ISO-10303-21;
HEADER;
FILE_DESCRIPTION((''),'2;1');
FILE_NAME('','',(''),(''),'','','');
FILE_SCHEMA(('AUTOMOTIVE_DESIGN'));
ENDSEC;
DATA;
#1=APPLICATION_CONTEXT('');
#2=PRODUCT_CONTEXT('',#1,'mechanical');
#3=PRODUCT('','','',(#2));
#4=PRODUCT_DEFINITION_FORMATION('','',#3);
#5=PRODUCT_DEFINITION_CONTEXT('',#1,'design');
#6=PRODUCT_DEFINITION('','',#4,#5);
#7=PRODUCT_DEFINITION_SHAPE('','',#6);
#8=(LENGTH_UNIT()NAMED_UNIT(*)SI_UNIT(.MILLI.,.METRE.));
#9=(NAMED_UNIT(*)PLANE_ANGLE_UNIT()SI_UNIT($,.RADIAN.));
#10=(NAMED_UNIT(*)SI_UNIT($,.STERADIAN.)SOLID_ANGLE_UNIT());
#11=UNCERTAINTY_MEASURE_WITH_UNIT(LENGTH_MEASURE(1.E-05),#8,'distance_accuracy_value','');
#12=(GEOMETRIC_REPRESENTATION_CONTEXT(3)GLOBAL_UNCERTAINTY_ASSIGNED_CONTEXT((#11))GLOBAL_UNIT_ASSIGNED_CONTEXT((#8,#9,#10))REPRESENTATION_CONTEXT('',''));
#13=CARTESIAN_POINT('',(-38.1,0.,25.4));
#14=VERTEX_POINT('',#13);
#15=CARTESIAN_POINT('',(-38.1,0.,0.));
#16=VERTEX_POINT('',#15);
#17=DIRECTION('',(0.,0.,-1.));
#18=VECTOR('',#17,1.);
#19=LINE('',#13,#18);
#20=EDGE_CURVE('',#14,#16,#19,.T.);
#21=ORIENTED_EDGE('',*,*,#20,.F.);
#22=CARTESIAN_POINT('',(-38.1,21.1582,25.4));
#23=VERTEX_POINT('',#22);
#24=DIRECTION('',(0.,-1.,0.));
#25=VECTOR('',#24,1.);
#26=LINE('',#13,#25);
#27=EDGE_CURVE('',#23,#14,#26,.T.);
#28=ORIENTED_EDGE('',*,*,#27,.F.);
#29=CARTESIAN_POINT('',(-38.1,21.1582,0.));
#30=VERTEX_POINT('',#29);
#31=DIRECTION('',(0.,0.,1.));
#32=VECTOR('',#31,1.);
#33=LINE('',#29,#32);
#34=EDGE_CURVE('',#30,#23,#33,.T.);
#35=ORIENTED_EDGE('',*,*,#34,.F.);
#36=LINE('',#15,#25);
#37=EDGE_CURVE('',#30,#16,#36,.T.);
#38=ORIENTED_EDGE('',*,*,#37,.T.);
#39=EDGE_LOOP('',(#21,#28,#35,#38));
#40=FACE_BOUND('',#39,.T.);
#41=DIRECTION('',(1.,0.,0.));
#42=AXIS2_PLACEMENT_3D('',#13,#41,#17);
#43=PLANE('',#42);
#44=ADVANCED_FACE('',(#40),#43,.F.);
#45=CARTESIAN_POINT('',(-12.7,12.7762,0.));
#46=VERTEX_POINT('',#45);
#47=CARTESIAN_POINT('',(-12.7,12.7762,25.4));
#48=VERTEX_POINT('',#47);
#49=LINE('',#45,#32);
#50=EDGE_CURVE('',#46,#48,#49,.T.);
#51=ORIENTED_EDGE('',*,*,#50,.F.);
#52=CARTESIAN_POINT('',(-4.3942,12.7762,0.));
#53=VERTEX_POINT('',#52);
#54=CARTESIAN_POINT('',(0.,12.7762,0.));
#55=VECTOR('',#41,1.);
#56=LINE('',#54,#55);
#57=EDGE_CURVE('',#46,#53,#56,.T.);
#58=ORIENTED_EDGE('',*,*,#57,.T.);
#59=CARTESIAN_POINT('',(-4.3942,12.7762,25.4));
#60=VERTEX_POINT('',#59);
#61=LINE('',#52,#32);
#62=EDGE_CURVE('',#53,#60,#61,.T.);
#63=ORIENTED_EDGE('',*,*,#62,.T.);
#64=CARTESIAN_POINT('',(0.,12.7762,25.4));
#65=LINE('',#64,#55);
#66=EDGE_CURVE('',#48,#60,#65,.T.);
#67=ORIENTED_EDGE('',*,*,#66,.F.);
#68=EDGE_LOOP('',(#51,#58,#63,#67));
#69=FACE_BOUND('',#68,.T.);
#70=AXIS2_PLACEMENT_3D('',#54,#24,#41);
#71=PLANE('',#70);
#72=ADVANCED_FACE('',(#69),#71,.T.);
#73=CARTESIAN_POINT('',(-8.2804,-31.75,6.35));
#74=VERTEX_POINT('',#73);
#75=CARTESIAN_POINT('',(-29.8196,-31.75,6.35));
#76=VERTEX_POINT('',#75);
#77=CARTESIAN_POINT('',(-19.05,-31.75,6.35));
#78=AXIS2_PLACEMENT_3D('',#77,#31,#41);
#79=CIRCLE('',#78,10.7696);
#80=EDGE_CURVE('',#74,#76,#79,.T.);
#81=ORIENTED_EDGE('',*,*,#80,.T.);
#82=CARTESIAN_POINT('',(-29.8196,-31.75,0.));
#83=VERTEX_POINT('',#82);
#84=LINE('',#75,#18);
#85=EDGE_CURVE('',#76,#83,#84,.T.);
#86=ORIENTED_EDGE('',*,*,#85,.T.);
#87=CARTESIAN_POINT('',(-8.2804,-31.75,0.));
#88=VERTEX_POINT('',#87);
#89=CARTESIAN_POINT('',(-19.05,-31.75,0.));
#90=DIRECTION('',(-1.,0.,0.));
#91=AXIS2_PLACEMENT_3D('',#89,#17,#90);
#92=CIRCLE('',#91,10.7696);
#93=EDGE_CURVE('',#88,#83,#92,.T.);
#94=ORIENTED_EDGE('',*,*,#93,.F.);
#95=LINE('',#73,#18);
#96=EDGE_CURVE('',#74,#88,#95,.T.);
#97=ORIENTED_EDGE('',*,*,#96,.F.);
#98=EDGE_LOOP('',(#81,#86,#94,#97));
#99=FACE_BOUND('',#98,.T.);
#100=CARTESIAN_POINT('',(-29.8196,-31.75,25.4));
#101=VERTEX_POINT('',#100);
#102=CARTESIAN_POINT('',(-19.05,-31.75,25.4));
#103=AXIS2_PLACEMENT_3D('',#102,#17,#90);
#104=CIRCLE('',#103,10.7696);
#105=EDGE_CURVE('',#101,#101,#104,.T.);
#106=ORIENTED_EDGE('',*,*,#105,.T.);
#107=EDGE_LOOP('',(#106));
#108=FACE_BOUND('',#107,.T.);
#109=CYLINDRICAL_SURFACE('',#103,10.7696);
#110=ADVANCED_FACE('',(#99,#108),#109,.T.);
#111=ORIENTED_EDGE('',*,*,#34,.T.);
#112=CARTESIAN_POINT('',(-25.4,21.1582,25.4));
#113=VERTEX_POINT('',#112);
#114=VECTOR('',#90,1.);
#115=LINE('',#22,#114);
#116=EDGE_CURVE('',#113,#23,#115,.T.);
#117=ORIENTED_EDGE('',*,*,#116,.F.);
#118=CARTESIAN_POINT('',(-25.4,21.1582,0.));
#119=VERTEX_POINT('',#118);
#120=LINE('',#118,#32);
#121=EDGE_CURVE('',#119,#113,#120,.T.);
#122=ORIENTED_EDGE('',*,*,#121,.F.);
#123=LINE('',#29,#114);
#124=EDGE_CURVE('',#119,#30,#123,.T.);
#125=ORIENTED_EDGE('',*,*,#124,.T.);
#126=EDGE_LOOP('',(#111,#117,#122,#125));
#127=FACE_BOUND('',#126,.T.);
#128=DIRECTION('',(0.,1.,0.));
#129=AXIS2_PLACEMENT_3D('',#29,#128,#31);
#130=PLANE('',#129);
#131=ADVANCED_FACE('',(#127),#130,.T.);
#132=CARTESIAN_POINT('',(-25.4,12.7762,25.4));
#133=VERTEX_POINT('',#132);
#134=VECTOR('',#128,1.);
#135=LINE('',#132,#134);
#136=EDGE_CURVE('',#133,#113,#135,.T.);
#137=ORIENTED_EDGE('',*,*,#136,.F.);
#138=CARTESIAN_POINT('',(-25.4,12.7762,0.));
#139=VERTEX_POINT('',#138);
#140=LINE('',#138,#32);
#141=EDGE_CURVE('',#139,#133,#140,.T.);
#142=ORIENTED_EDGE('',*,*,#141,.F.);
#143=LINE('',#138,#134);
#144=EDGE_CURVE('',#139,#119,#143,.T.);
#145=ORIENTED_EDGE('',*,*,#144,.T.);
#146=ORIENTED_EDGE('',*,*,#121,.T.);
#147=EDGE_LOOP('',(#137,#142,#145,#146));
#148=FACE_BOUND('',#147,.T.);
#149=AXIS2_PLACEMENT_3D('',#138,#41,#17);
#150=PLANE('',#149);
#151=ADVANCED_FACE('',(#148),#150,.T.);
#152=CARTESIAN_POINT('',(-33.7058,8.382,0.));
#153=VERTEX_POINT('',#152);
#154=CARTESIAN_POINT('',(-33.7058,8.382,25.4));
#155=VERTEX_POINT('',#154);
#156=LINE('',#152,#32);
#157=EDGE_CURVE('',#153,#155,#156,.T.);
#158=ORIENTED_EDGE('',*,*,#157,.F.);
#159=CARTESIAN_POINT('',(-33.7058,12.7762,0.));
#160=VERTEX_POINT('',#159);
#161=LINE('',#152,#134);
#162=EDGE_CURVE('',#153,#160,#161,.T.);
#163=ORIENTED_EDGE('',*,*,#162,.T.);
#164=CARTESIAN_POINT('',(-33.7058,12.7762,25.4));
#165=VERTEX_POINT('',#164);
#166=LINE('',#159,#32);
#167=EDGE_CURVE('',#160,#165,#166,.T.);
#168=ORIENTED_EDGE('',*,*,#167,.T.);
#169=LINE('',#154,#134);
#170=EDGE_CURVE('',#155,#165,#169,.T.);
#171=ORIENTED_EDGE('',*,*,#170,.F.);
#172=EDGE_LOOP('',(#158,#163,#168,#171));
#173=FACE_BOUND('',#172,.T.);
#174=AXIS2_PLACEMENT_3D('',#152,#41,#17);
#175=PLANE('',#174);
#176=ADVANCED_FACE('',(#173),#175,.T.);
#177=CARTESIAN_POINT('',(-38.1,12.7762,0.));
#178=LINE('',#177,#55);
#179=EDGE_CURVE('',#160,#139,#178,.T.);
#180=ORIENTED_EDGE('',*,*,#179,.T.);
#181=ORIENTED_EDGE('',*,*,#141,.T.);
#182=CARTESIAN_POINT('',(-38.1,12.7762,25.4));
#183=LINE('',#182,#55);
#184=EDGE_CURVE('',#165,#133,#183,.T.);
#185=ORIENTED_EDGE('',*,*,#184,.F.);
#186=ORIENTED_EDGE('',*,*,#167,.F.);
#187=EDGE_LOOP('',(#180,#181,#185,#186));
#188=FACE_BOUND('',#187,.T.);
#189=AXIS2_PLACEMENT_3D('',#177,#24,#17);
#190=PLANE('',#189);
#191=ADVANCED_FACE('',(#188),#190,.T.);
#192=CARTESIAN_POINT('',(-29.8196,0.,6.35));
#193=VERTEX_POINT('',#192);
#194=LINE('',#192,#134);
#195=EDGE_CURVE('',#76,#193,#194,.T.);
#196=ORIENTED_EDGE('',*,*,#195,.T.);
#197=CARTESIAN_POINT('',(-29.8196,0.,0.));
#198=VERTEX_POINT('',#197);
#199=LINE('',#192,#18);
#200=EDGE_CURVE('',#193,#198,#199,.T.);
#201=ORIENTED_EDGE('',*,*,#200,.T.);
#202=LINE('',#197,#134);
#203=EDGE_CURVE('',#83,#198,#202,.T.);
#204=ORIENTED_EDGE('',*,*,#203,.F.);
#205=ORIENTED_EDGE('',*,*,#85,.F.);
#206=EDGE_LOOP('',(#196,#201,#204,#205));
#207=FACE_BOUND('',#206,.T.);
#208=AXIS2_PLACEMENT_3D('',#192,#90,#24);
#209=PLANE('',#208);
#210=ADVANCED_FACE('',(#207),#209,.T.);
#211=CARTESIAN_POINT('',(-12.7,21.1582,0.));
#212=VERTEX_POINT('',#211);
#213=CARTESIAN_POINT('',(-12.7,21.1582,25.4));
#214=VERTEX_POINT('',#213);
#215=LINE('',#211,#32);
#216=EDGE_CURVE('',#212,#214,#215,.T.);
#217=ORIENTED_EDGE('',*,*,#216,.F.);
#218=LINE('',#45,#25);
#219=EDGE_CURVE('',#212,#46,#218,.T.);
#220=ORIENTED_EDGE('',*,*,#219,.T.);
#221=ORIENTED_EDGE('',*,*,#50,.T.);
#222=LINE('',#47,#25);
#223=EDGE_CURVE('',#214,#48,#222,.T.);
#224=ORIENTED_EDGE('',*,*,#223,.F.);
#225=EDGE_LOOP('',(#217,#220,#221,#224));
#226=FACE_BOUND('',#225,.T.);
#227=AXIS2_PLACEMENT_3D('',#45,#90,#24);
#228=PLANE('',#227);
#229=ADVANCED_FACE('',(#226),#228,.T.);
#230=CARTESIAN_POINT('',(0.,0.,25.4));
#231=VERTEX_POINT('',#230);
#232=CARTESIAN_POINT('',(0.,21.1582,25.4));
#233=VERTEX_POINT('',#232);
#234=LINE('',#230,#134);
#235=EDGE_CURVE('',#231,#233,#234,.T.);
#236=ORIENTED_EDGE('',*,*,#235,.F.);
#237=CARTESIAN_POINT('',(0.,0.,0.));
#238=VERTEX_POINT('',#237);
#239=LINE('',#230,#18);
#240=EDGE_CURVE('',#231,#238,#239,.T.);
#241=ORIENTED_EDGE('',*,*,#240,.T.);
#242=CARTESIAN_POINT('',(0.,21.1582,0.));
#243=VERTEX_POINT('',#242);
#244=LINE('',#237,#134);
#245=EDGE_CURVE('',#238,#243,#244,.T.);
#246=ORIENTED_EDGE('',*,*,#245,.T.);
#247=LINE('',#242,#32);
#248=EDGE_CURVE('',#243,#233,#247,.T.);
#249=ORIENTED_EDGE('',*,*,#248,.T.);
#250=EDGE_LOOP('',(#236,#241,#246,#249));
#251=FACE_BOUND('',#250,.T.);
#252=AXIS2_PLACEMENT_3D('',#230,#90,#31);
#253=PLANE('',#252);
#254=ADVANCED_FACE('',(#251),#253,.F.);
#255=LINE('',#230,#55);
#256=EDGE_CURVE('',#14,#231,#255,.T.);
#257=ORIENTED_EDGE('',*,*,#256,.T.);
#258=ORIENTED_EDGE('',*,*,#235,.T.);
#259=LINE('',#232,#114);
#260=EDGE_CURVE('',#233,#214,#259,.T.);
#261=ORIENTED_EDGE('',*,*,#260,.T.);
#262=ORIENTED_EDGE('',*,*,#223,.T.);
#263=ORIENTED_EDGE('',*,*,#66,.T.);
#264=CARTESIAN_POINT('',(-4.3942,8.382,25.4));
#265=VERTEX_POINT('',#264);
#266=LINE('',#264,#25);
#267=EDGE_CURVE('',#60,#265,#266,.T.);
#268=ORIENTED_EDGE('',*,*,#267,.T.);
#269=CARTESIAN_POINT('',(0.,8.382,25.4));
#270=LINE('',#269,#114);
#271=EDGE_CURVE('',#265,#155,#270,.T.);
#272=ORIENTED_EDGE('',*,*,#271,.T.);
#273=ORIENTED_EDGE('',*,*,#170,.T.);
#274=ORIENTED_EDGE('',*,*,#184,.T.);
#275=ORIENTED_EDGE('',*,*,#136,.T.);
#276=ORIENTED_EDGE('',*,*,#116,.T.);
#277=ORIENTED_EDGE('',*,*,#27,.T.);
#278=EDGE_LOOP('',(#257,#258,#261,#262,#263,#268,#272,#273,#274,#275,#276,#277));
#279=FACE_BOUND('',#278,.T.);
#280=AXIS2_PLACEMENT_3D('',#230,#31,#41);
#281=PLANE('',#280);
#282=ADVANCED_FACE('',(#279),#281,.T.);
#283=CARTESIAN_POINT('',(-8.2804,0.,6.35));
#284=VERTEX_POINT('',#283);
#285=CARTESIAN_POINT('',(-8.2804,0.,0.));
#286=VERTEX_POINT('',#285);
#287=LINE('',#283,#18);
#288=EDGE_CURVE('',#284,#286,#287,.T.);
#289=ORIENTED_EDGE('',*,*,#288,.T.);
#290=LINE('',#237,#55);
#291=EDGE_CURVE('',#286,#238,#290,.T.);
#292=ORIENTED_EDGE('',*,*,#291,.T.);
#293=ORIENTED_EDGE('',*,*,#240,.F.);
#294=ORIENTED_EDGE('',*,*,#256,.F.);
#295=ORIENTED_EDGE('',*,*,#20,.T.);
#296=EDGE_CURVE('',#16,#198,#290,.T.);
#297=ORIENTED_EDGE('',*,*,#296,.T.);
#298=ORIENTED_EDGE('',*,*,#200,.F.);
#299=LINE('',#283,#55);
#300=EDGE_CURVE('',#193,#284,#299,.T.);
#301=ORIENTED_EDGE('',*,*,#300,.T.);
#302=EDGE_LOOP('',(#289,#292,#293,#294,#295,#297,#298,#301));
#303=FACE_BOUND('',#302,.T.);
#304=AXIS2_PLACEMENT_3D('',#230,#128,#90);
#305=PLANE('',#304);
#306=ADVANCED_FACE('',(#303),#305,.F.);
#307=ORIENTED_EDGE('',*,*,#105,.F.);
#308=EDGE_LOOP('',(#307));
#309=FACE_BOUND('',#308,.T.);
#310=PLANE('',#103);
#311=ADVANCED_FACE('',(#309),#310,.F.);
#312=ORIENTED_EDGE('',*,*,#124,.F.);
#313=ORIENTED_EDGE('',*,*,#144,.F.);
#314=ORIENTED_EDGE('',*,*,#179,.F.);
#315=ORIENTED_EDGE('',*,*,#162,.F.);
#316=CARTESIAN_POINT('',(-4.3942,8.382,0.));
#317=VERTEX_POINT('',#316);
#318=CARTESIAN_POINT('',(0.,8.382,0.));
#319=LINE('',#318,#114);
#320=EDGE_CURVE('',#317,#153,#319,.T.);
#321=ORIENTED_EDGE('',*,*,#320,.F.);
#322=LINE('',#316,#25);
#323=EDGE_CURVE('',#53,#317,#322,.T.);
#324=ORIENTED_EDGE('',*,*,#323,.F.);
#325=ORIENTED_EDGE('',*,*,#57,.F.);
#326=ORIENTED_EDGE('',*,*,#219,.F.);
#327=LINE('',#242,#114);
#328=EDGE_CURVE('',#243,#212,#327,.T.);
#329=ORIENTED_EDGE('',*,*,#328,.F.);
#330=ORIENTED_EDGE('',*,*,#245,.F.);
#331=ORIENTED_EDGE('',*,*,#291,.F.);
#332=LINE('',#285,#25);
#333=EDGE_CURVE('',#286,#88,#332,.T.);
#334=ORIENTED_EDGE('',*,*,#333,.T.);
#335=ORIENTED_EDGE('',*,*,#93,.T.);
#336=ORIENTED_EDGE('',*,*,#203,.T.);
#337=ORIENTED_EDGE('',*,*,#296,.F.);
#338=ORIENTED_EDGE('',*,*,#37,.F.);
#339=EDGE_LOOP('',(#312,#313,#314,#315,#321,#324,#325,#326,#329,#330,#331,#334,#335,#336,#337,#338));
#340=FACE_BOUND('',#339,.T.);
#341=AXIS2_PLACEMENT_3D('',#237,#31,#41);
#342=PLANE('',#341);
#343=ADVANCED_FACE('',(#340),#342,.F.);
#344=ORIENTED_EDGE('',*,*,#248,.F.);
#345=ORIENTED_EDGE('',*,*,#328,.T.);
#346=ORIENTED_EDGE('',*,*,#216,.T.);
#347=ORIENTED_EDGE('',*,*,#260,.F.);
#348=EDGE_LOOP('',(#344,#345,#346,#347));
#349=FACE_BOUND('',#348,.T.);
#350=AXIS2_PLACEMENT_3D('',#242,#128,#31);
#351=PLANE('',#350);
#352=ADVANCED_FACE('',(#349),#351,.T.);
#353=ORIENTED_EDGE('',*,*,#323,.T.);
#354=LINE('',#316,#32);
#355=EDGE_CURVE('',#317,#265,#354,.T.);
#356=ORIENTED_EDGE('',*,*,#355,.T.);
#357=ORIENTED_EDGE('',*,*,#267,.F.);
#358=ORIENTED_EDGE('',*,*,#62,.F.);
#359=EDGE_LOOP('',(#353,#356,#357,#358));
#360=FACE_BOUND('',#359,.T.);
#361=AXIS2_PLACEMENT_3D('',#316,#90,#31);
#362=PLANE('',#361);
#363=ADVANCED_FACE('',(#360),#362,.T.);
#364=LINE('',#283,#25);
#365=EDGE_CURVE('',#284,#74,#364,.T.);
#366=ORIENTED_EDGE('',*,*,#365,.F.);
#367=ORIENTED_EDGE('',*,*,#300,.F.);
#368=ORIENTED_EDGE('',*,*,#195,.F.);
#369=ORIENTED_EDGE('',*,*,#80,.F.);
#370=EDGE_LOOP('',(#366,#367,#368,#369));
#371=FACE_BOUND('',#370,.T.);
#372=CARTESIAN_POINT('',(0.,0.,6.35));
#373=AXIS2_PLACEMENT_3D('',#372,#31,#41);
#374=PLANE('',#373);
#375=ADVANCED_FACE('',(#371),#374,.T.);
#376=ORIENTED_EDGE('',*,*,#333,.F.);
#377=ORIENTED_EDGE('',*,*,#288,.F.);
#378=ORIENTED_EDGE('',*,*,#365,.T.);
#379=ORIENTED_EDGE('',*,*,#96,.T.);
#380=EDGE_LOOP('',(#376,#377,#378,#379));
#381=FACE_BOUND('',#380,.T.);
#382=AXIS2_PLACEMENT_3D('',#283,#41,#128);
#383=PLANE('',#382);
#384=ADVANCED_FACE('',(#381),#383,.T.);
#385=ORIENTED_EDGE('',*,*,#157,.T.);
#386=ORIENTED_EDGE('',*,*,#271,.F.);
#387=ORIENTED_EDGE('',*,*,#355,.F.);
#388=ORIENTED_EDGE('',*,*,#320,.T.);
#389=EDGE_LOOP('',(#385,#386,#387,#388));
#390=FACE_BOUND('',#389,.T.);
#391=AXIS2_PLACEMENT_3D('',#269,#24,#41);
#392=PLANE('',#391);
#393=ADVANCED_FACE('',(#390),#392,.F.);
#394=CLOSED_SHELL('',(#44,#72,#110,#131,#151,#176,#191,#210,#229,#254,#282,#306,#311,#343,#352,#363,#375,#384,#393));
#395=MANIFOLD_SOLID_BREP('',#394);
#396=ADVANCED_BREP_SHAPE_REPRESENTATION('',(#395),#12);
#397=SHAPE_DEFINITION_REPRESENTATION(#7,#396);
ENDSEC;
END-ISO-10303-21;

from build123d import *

# Parameters (mm, degrees)
SKETCH1_W           = 38.1
SKETCH1_H           = 8.382
BOSS_EXTRUDE1_DEPTH = 25.4
SKETCH2_W           = 4.3942
SKETCH2_H           = 4.3942
BOSS_EXTRUDE2_DEPTH = 25.4
SKETCH3_W           = 12.7
SKETCH3_H           = 8.382
BOSS_EXTRUDE3_DEPTH = 25.4
SKETCH4_W           = 21.5392
SKETCH4_H           = 31.75
BOSS_EXTRUDE4_DEPTH = 6.35
SKETCH5_R           = 10.7696
BOSS_EXTRUDE5_DEPTH = 25.4


with BuildPart() as part:
    # Sketch1 → Boss-Extrude1 (new body)
    with BuildSketch(Plane.XY):
        with Locations((-19.05, 4.191)):
            Rectangle(SKETCH1_W, SKETCH1_H)
    extrude(amount=BOSS_EXTRUDE1_DEPTH)

    # Sketch2 → Boss-Extrude2 (add)
    with BuildSketch(Plane.XY.offset(25.4)):
        with Locations((-35.9029, 10.5791)):
            Rectangle(SKETCH2_W, SKETCH2_H)
        with Locations((-2.1971, 10.5791)):
            Rectangle(SKETCH2_W, SKETCH2_H)
    extrude(amount=-BOSS_EXTRUDE2_DEPTH)

    # Sketch3 → Boss-Extrude3 (add)
    with BuildSketch(Plane.XY.offset(25.4)):
        with Locations((-31.75, 16.9672)):
            Rectangle(SKETCH3_W, SKETCH3_H)
        with Locations((-6.35, 16.9672)):
            Rectangle(SKETCH3_W, SKETCH3_H)
    extrude(amount=-BOSS_EXTRUDE3_DEPTH)


with BuildPart() as body_2:
    # Sketch4 → Boss-Extrude4 (new body)
    with BuildSketch(Plane(origin=(0, 0, 0), x_dir=(-1, 0, 0), z_dir=(0, 0, -1))):
        with Locations((19.05, -15.875)):
            Rectangle(SKETCH4_W, SKETCH4_H)
    extrude(amount=-BOSS_EXTRUDE4_DEPTH)

    # Sketch5 → Boss-Extrude5 (add)
    with BuildSketch(Plane(origin=(0, 0, 0), x_dir=(-1, 0, 0), z_dir=(0, 0, -1))):
        with Locations((19.05, -31.75)):
            Circle(SKETCH5_R)
    extrude(amount=-BOSS_EXTRUDE5_DEPTH)

    # Combine1: union part
    add(part.part)


solid = body_2.part
